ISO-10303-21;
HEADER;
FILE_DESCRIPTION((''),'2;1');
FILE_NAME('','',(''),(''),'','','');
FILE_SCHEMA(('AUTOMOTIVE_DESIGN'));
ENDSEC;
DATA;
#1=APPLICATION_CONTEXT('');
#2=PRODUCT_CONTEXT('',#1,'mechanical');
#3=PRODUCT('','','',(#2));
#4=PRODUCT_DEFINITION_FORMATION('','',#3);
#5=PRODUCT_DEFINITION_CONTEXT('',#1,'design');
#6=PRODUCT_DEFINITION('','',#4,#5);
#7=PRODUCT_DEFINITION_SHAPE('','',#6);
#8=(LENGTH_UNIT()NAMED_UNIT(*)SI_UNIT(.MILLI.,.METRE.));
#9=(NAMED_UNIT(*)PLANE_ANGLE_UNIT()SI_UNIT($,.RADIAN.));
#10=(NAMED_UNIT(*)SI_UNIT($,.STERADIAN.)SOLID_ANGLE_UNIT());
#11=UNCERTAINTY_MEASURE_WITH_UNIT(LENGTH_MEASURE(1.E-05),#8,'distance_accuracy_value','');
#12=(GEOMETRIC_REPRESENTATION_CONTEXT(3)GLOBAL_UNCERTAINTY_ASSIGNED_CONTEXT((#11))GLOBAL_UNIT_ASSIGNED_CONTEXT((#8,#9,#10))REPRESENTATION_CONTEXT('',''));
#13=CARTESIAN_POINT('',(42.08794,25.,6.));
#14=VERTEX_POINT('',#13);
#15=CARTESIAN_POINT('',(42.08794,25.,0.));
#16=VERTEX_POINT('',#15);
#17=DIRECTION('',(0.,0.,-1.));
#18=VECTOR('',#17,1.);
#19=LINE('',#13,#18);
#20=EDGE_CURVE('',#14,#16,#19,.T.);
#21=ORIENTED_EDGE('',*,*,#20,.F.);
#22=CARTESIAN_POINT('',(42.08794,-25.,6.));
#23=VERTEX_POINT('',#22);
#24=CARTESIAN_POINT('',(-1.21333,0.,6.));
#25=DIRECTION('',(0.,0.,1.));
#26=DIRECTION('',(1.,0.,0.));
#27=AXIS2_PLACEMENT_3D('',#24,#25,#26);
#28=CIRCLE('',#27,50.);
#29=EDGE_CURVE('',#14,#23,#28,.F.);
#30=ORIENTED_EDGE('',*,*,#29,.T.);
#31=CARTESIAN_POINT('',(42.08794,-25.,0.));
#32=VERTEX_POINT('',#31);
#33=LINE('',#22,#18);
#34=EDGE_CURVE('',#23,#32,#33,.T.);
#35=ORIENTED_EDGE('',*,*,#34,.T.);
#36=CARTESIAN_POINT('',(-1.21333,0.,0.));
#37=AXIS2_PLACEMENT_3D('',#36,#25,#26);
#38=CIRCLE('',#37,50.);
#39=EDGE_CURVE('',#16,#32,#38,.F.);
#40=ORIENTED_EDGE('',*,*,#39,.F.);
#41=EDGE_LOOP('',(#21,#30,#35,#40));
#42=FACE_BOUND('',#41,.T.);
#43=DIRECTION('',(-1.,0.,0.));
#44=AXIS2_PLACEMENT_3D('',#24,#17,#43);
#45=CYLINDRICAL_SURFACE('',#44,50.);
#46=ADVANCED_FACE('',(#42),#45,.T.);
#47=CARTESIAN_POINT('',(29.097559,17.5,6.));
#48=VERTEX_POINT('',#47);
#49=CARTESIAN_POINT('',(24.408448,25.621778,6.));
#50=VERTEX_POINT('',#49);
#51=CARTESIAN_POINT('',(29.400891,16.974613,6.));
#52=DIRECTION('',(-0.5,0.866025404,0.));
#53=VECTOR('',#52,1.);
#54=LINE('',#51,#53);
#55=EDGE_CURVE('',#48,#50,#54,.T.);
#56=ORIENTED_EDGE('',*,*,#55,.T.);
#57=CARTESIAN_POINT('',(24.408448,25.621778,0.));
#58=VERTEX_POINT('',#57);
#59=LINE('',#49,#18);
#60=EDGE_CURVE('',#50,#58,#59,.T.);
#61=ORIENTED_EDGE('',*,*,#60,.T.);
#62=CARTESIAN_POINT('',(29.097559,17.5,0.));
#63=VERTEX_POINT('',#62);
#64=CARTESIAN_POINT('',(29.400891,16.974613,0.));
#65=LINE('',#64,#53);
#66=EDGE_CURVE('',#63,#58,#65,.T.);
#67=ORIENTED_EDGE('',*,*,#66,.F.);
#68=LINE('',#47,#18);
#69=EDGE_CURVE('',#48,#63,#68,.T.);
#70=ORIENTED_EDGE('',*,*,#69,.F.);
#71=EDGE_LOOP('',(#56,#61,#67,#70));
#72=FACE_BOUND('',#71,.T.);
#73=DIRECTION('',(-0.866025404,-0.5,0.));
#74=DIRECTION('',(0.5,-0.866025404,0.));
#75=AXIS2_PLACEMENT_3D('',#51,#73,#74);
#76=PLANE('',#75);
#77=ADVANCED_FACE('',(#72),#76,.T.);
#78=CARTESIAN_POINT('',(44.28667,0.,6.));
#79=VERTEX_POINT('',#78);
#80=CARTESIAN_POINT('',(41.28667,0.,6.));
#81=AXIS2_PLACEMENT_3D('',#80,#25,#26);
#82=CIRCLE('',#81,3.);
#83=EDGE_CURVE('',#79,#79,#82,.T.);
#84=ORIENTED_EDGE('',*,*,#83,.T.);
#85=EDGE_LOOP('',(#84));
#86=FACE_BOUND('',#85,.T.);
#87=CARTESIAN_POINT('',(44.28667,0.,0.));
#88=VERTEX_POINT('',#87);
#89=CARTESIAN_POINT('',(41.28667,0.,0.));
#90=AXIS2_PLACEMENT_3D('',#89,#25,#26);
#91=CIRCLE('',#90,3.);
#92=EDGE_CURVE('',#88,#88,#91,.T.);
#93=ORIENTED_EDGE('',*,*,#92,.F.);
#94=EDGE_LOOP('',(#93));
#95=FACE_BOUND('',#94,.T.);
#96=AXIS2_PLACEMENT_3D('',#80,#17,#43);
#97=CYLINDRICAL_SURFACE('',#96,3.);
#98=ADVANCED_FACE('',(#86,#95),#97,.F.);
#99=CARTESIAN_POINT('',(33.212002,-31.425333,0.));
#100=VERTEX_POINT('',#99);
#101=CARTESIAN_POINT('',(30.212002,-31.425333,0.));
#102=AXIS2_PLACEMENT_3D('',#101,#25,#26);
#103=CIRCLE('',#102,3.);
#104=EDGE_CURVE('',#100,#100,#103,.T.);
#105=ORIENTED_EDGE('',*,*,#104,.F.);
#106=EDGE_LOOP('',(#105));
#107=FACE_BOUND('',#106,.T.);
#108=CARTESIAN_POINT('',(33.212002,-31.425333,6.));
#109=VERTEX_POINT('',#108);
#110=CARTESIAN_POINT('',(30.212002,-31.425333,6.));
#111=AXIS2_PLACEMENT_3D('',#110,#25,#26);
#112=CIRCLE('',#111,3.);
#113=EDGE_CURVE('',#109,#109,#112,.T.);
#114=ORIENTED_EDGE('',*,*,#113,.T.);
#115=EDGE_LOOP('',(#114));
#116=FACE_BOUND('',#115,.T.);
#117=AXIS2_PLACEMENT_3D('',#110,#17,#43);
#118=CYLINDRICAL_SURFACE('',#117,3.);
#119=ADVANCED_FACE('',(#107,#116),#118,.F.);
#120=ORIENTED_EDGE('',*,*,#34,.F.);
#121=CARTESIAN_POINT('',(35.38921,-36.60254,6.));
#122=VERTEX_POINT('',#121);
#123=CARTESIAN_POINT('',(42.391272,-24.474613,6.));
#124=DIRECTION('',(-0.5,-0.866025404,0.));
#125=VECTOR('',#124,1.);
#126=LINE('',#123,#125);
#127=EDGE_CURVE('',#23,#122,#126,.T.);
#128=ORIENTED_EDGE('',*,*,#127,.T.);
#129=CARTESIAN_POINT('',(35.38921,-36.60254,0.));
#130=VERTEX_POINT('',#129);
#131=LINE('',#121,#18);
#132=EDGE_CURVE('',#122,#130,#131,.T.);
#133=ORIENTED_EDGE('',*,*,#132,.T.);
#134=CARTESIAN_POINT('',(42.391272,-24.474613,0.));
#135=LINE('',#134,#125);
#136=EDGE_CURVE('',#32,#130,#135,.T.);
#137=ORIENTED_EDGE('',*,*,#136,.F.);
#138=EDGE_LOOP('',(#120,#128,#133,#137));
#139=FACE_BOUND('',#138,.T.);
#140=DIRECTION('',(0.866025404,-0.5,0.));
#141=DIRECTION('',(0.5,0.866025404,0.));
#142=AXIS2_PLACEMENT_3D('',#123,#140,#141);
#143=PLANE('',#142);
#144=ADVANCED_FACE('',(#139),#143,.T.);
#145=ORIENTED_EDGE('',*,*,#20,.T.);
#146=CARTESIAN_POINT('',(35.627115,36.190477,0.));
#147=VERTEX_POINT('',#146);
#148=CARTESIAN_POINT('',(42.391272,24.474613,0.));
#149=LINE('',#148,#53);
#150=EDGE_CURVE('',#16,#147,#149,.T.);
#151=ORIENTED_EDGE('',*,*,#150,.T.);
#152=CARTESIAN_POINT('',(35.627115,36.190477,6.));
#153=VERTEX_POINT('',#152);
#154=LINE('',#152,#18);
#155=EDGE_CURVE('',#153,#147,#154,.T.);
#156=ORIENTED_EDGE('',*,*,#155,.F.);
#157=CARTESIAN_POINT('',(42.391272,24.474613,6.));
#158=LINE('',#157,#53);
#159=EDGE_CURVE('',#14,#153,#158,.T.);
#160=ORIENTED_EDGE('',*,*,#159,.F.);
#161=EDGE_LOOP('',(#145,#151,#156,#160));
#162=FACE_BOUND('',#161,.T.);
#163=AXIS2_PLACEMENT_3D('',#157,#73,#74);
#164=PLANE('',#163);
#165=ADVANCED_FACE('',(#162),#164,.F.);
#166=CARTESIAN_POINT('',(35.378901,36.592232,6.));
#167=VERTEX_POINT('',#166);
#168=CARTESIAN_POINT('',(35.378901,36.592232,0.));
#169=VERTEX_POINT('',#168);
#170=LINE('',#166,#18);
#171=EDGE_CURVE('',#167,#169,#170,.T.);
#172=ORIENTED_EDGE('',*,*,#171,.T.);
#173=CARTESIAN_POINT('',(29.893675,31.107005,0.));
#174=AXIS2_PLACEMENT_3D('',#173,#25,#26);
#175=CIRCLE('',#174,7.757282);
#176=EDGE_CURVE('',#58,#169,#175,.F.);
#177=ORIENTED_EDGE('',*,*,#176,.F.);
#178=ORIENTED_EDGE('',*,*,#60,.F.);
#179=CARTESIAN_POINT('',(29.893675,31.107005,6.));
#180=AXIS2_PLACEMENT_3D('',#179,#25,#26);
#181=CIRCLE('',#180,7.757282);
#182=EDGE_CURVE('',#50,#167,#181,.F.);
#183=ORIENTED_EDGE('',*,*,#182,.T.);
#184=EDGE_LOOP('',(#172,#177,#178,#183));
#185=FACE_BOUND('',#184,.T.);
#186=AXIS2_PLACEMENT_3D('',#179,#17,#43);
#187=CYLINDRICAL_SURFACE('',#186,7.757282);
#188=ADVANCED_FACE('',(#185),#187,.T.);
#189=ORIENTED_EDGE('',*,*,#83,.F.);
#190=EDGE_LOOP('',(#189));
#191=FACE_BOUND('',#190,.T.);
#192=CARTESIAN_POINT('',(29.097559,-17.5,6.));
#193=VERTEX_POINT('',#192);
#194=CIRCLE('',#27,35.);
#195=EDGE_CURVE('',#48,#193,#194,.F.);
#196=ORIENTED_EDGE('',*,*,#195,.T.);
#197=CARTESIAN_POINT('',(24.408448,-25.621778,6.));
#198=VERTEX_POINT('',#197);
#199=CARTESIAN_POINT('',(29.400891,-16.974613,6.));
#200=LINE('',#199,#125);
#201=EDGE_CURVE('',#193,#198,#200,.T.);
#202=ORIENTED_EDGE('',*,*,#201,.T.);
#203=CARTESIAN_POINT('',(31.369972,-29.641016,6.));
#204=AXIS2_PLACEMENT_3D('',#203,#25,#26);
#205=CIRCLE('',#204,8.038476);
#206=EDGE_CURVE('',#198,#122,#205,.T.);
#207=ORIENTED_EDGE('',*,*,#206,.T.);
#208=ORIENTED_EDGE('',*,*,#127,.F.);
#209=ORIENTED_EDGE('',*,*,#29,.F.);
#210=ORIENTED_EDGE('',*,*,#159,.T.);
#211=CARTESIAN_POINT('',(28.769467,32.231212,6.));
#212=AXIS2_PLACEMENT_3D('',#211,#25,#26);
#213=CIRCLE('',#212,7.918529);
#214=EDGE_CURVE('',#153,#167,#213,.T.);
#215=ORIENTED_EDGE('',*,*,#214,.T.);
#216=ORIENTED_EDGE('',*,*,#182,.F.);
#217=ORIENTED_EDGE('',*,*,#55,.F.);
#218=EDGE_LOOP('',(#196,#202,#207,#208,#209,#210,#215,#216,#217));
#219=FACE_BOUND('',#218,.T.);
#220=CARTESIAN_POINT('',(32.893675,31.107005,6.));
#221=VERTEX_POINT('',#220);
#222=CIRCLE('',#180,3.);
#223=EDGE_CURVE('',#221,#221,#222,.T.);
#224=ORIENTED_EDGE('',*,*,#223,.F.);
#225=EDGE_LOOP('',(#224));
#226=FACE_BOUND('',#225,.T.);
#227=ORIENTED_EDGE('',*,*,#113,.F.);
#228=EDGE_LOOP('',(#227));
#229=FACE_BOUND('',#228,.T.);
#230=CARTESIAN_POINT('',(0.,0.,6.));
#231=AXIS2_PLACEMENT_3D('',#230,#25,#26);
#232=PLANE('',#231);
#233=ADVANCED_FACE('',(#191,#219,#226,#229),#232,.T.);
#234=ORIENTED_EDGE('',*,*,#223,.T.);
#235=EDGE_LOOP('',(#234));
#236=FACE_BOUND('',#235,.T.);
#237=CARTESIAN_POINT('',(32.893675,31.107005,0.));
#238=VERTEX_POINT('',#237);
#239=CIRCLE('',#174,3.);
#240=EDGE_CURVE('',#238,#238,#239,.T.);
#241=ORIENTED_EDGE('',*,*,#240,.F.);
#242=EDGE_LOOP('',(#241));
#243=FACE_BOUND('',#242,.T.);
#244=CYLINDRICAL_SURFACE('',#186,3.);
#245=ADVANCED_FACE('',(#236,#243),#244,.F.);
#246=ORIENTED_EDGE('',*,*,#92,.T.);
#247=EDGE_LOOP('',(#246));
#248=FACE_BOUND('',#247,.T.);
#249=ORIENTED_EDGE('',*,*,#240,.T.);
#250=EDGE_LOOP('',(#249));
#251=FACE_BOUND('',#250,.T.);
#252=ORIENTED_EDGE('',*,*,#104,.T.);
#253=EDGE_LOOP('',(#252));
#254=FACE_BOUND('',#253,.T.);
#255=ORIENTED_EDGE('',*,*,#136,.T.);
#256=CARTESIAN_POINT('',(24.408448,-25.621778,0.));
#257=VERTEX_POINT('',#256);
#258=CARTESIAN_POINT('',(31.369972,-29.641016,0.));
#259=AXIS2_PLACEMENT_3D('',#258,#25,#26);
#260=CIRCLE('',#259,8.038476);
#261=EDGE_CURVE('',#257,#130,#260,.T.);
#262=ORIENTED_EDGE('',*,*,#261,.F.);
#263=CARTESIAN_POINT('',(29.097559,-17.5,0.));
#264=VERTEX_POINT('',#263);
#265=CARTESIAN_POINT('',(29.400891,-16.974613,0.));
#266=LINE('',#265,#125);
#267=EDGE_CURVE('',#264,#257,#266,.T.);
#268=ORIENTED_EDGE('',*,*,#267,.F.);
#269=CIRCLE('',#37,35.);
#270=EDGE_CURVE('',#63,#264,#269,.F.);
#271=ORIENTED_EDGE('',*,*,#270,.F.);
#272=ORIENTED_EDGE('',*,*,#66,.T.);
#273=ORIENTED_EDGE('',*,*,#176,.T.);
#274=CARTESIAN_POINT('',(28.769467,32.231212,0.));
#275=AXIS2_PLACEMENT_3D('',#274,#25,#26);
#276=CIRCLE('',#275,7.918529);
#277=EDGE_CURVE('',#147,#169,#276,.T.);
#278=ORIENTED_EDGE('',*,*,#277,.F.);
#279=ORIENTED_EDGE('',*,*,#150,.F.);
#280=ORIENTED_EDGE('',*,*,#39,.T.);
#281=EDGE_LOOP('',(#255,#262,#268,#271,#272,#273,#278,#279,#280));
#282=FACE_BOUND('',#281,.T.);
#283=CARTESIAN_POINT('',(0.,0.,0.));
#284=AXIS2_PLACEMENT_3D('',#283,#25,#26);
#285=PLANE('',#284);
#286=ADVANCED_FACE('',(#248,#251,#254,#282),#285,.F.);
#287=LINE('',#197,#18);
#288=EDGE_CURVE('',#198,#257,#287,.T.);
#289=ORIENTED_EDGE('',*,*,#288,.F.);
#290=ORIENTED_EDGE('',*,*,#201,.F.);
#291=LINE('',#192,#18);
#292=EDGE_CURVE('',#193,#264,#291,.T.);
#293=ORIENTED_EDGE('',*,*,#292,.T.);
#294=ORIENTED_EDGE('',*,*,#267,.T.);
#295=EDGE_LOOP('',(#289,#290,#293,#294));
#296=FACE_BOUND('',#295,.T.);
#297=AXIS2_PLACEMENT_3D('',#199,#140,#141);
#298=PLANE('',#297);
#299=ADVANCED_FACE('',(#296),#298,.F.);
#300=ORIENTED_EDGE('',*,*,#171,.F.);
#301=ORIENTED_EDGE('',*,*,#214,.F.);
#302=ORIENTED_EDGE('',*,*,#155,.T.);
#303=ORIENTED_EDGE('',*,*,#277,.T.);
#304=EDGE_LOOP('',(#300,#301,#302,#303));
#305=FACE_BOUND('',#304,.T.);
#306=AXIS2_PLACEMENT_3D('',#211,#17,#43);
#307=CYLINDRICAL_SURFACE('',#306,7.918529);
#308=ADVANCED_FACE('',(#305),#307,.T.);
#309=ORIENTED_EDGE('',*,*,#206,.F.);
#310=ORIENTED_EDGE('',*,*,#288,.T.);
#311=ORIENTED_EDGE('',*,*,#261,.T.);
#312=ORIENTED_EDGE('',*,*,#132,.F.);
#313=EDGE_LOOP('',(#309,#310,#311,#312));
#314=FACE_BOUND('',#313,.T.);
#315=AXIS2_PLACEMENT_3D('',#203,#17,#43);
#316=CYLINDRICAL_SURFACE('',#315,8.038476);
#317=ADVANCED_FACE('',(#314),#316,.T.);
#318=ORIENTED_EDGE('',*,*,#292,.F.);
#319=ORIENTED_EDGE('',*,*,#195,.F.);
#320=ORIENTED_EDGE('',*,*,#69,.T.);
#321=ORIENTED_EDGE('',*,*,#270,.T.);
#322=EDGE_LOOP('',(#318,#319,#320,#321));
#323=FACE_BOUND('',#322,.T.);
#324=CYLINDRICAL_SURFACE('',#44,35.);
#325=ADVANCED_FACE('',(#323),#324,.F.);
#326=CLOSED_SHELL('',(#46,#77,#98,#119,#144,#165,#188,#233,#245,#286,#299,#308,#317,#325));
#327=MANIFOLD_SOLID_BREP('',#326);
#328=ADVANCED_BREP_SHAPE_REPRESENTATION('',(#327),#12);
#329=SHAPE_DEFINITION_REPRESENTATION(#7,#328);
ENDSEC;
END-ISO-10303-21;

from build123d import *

# Parameters (mm, degrees)
SKETCH1_R           = 3
BOSS_EXTRUDE1_DEPTH = 6


with BuildPart() as part:
    # Sketch1 → Boss-Extrude1 (new body)
    with BuildSketch(Plane.XY):
        with BuildLine():
            Line((29.097558797, 17.5), (24.40844793, 25.621778265))
            ThreePointArc((24.40844793, 25.621778265), (24.40844793, 36.592231664), (35.378901329, 36.592231664))
            ThreePointArc((35.378901329, 36.592231664), (35.506003821, 36.393205072), (35.627115001, 36.190476904))
            Line((35.627115001, 36.190476904), (42.087939854, 25))
            ThreePointArc((42.087939854, 25), (48.786669665, 0), (42.087939854, -25))
            Line((42.087939854, -25), (35.389210043, -36.602540378))
            ThreePointArc((35.389210043, -36.602540378), (25.685911427, -35.325076881), (24.40844793, -25.621778265))
            Line((24.40844793, -25.621778265), (29.097558797, -17.5))
            ThreePointArc((29.097558797, -17.5), (33.786669665, 0), (29.097558797, 17.5))
        make_face()
        with Locations((41.286669665, 0)):
            Circle(SKETCH1_R, mode=Mode.SUBTRACT)
        with Locations((30.212002479, -31.425332814)):
            Circle(SKETCH1_R, mode=Mode.SUBTRACT)
        with Locations((29.893674629, 31.107004965)):
            Circle(SKETCH1_R, mode=Mode.SUBTRACT)
    extrude(amount=BOSS_EXTRUDE1_DEPTH)


solid = part.part
